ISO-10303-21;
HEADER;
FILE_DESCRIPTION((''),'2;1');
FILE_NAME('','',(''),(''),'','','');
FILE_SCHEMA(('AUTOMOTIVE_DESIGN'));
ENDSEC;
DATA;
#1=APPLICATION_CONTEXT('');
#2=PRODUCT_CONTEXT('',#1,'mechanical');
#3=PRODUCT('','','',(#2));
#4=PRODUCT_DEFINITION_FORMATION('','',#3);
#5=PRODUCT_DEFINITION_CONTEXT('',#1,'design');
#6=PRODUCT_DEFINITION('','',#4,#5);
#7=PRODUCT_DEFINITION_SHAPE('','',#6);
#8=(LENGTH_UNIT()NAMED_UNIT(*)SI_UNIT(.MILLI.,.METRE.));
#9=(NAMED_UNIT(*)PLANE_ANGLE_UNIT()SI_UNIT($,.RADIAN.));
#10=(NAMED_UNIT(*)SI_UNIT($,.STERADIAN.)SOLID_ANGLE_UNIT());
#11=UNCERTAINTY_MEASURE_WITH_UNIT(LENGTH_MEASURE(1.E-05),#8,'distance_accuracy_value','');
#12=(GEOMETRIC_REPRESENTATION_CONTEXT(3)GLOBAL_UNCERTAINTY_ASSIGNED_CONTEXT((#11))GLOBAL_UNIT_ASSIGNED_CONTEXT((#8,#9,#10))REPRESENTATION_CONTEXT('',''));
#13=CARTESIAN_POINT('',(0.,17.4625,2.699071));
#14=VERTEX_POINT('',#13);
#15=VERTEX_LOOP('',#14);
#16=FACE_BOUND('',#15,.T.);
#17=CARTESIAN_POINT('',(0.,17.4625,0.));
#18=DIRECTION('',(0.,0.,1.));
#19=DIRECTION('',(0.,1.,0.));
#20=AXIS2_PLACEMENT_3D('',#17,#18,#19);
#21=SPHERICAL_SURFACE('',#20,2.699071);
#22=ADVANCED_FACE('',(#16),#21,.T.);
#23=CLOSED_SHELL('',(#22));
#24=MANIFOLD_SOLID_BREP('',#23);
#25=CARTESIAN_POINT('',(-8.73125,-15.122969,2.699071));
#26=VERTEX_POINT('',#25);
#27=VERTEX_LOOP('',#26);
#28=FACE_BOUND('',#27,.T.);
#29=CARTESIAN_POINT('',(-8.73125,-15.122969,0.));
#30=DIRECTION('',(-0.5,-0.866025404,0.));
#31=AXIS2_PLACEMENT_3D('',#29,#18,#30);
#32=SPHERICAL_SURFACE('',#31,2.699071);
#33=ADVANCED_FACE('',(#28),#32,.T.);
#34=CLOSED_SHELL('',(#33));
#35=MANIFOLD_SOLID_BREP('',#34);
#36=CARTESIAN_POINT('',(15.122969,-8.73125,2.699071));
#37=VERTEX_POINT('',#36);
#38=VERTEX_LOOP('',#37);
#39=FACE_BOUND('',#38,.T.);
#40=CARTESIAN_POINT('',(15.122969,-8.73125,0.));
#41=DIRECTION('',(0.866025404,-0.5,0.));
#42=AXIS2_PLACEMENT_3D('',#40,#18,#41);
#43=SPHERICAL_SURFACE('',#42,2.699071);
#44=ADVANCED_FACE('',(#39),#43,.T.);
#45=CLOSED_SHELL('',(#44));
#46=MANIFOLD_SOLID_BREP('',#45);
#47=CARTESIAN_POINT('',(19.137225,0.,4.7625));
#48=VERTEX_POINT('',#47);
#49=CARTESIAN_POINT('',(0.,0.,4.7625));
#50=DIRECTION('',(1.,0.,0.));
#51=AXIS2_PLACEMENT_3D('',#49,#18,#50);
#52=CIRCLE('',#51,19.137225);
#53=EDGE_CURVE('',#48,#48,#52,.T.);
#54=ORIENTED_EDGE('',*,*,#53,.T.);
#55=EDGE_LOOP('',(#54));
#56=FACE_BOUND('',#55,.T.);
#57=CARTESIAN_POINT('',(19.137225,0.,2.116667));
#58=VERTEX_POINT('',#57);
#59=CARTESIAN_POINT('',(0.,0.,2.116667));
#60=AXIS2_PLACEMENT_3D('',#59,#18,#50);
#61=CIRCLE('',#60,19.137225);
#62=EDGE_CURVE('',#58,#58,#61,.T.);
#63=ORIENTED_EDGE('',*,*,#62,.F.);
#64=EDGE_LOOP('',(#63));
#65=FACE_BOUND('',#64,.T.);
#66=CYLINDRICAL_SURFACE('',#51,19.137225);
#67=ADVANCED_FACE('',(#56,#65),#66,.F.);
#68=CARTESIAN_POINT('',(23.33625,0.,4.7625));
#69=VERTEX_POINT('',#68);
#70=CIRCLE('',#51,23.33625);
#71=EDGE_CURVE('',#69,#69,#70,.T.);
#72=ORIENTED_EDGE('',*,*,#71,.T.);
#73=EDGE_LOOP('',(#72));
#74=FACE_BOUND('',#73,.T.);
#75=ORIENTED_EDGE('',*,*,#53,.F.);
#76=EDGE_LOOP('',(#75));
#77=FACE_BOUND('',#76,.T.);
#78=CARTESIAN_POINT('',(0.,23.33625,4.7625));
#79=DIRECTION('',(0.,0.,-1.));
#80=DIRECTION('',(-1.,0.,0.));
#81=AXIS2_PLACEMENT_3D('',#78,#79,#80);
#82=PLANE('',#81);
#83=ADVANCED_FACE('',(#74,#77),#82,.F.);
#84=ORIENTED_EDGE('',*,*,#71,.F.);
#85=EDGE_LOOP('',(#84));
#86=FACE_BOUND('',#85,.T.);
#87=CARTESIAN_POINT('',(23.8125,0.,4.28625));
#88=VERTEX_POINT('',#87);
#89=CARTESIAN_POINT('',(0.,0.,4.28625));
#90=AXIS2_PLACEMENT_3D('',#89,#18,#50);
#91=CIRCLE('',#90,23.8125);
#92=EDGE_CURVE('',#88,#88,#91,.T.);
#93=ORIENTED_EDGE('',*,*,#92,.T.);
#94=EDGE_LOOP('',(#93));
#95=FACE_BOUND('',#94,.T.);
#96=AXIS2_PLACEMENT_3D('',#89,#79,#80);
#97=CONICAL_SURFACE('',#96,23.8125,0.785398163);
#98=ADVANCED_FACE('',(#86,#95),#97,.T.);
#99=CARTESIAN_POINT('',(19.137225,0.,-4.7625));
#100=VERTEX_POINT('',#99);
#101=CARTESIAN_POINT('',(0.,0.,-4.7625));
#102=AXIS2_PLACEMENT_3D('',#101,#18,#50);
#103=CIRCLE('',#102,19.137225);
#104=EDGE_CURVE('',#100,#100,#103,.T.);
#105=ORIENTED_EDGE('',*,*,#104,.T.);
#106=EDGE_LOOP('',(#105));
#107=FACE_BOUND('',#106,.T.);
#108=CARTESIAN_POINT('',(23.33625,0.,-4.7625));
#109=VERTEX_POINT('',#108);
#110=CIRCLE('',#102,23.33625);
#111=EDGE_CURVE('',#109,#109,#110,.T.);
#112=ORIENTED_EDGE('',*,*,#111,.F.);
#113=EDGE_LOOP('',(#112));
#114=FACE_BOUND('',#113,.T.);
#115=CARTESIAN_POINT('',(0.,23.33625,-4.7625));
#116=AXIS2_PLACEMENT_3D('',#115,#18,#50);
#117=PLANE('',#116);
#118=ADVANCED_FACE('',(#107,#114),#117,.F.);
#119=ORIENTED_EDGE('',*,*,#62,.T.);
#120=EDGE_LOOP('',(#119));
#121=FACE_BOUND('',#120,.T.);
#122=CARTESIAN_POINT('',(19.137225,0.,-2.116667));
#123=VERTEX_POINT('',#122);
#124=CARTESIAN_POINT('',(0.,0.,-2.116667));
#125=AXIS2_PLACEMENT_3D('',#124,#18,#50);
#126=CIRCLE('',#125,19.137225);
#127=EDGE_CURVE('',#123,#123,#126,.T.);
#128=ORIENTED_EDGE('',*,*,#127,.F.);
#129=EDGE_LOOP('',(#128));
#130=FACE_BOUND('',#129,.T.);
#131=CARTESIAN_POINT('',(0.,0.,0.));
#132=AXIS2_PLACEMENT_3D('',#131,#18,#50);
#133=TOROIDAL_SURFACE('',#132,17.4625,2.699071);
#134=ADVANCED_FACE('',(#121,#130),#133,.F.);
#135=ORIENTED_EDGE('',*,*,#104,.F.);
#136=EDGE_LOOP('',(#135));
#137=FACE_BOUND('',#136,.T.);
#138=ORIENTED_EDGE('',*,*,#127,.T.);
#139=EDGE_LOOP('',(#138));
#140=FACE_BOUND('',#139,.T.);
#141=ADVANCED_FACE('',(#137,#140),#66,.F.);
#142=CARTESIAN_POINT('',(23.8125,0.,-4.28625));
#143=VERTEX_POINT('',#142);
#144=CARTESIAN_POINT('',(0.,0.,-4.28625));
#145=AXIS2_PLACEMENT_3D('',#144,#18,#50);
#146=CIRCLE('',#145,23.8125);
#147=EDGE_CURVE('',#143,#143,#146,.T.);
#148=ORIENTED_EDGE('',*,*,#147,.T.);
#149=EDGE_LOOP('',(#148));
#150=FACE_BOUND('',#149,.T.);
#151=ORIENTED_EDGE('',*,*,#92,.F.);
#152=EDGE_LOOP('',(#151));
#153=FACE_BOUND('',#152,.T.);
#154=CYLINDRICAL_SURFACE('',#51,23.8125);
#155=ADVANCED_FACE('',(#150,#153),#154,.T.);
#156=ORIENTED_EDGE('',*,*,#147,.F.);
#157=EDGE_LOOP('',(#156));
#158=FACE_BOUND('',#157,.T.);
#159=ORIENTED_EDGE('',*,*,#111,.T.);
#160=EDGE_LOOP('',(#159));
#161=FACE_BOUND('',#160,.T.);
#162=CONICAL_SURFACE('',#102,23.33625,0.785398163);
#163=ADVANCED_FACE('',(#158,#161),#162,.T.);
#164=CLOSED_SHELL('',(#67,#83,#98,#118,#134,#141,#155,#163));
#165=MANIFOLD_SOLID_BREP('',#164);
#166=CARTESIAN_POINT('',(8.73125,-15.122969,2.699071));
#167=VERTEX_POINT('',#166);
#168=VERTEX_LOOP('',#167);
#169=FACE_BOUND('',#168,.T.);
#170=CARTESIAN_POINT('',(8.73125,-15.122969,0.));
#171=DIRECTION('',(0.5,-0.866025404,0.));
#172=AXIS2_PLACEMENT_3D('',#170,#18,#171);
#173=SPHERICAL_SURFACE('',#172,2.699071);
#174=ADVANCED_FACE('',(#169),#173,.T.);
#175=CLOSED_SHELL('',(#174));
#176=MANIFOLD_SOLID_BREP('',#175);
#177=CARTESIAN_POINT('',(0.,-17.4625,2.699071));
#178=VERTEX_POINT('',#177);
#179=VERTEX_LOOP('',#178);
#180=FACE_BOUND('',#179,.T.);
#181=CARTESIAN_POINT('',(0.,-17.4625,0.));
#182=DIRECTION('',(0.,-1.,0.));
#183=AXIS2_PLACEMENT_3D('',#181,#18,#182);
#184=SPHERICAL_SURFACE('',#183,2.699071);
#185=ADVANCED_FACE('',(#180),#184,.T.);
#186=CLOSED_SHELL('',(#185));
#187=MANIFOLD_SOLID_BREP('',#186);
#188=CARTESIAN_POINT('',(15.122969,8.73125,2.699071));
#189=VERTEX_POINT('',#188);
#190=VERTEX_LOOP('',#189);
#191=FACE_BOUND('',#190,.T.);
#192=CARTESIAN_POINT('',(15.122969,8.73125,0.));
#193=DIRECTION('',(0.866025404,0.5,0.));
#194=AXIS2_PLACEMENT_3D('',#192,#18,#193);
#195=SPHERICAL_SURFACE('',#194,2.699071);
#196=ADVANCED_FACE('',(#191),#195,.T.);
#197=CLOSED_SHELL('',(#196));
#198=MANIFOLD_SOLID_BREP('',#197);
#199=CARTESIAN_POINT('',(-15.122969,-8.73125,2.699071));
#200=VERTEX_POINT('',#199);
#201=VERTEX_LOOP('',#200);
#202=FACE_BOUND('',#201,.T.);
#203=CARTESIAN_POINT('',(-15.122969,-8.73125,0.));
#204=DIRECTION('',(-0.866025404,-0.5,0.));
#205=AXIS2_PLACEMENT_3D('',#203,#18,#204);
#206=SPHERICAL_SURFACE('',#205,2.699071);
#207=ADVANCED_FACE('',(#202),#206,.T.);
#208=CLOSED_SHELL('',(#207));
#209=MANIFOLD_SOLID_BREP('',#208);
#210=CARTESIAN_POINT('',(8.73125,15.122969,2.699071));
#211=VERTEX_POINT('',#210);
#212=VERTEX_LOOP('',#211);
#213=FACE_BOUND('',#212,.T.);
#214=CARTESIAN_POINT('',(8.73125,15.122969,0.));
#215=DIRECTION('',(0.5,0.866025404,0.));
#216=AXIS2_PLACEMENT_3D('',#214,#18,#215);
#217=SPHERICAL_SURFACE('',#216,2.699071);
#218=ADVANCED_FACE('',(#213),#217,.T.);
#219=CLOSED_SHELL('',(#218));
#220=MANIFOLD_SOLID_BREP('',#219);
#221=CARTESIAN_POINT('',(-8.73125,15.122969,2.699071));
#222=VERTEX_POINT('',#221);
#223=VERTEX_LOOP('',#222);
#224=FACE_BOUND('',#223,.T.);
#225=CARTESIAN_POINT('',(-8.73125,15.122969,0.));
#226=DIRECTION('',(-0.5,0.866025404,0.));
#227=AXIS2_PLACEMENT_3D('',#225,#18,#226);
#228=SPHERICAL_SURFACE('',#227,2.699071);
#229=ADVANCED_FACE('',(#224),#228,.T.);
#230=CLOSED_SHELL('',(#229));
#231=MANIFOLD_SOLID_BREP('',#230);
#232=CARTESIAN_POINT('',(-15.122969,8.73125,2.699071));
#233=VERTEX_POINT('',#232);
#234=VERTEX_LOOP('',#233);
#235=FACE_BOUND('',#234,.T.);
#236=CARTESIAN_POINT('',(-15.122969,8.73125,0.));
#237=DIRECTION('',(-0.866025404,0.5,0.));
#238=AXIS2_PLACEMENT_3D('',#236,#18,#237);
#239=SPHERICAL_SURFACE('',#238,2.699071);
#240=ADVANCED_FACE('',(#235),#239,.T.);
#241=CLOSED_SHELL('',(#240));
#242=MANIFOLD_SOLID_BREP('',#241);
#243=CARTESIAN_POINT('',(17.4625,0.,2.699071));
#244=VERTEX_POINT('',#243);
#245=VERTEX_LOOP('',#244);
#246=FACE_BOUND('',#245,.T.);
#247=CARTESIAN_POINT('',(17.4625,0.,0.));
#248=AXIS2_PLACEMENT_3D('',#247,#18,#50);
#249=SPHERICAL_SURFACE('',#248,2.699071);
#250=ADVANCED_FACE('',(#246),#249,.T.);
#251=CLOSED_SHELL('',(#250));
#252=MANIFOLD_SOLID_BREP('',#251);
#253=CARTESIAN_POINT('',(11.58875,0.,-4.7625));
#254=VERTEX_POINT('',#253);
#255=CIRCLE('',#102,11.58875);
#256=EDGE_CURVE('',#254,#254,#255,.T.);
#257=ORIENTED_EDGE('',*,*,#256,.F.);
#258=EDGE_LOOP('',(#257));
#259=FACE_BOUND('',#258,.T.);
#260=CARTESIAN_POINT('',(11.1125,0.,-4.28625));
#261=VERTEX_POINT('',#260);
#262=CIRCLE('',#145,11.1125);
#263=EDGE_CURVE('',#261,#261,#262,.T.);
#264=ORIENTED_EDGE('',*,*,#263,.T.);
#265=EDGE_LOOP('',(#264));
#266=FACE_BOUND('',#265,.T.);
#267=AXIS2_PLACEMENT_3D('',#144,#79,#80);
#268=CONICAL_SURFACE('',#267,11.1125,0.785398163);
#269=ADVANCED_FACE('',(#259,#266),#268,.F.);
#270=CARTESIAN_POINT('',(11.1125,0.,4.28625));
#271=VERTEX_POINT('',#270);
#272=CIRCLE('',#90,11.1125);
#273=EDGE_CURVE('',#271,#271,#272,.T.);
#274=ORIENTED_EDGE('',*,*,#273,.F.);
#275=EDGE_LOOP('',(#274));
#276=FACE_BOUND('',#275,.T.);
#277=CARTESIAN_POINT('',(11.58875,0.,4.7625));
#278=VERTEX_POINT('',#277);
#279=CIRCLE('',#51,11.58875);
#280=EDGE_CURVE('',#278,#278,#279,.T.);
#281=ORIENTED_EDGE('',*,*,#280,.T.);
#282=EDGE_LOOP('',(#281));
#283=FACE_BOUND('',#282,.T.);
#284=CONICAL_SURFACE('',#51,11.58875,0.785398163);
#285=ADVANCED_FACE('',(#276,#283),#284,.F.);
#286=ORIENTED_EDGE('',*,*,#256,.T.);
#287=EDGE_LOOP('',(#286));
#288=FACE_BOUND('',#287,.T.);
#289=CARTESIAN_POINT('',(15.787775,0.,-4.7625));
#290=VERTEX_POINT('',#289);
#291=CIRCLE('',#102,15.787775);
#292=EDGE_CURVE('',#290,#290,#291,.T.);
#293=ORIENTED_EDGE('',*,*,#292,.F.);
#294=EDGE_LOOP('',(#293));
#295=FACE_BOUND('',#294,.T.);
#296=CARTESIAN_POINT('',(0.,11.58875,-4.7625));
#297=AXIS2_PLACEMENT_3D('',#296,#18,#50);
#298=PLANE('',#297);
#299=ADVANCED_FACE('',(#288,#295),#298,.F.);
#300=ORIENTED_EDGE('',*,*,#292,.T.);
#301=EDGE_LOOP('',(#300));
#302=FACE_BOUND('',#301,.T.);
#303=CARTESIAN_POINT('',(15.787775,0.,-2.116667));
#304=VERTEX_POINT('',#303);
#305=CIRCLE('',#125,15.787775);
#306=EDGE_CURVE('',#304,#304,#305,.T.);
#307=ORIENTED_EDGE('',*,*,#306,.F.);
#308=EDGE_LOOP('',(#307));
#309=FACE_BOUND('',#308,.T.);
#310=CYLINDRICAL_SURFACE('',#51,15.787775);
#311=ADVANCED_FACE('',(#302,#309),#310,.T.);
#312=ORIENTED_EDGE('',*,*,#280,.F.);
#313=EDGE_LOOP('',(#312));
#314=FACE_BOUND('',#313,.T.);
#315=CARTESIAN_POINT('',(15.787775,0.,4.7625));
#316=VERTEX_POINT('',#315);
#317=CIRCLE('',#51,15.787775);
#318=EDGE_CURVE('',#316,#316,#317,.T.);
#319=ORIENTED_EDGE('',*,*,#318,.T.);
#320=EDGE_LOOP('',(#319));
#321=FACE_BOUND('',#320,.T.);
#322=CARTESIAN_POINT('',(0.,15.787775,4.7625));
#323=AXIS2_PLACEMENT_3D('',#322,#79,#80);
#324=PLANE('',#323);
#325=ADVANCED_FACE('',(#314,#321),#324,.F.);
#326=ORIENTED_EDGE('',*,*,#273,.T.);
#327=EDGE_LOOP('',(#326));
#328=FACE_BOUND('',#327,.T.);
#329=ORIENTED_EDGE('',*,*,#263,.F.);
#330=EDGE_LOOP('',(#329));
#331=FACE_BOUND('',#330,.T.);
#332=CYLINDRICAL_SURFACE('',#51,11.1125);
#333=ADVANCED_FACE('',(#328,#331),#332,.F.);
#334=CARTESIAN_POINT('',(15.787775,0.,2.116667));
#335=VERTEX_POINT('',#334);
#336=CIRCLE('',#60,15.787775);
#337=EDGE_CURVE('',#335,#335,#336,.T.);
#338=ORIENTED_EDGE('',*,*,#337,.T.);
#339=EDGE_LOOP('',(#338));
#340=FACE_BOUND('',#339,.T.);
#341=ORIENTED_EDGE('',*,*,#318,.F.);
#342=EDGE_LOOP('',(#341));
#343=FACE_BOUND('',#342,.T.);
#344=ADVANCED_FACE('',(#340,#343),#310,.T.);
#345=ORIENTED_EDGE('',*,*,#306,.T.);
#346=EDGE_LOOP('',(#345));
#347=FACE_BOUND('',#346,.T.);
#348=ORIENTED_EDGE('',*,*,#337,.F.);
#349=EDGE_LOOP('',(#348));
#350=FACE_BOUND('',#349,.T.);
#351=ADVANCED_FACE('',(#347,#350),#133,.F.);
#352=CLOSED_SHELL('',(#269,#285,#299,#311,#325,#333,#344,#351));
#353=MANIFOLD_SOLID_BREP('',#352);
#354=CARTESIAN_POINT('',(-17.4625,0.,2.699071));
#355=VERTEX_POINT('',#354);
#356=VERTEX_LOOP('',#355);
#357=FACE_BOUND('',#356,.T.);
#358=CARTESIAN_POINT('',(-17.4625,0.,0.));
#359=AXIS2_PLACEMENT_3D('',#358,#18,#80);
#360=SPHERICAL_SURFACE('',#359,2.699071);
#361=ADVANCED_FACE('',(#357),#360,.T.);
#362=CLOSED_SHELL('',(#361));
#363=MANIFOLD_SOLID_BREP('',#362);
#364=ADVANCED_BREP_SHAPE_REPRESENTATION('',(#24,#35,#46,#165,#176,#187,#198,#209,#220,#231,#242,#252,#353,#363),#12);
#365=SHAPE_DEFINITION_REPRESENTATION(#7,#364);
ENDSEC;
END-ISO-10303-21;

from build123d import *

# Parameters (mm, degrees)
CIRPATTERN1_COUNT = 12


with BuildPart() as part:
    # Sketch1 → Revolve1 (revolve)
    with BuildSketch(Plane(origin=(0, 0, 0), x_dir=(0, 0, -1), z_dir=(1, 0, 0))):
        with BuildLine():
            Line((4.28625, 23.8125), (-4.28625, 23.8125))
            Line((-4.28625, 23.8125), (-4.7625, 23.33625))
            Line((-4.7625, 23.33625), (-4.7625, 19.137225275))
            Line((-4.7625, 19.137225275), (-2.116666667, 19.137225275))
            ThreePointArc((-2.116666667, 19.137225275), (0, 20.161570678), (2.116666667, 19.137225275))
            Line((2.116666667, 19.137225275), (4.7625, 19.137225275))
            Line((4.7625, 19.137225275), (4.7625, 23.33625))
            Line((4.7625, 23.33625), (4.28625, 23.8125))
        make_face()
    revolve(axis=Axis((0, 0, 4.7625), (0, 0, -1)))


with BuildPart() as body_2:
    # Sketch3 → Revolve3 (revolve)
    with BuildSketch(Plane(origin=(0, 0, 0), x_dir=(0, 0, -1), z_dir=(1, 0, 0))):
        with BuildLine():
            Line((-4.7625, 15.787774725), (-2.116666667, 15.787774725))
            ThreePointArc((-2.116666667, 15.787774725), (0, 14.763429322), (2.116666667, 15.787774725))
            Line((2.116666667, 15.787774725), (4.7625, 15.787774725))
            Line((4.7625, 15.787774725), (4.7625, 11.58875))
            Line((4.7625, 11.58875), (4.28625, 11.1125))
            Line((4.28625, 11.1125), (-4.28625, 11.1125))
            Line((-4.28625, 11.1125), (-4.7625, 11.58875))
            Line((-4.7625, 11.58875), (-4.7625, 15.787774725))
        make_face()
    revolve(axis=Axis((0, 0, 4.7625), (0, 0, -1)))


with BuildPart() as body_3:
    # Sketch4 → Revolve4 (revolve)
    with BuildSketch(Plane(origin=(0, 0, 0), x_dir=(0, 0, -1), z_dir=(1, 0, 0))):
        with BuildLine():
            Line((-2.699070678, 17.4625), (2.699070678, 17.4625))
            ThreePointArc((2.699070678, 17.4625), (0, 20.161570678), (-2.699070678, 17.4625))
        make_face()
    revolve(axis=Axis((0, 17.4625, 2.699070678), (0, 0, -1)))


with BuildPart() as cirpattern1_1:
    # CirPattern1: pattern copy
    add(body_3.part.rotate(Axis((0, 0, -4.7625), (0, 0, 1)), 1 * 360 / CIRPATTERN1_COUNT))


with BuildPart() as cirpattern1_2:
    # CirPattern1: pattern copy
    add(body_3.part.rotate(Axis((0, 0, -4.7625), (0, 0, 1)), 2 * 360 / CIRPATTERN1_COUNT))


with BuildPart() as cirpattern1_3:
    # CirPattern1: pattern copy
    add(body_3.part.rotate(Axis((0, 0, -4.7625), (0, 0, 1)), 3 * 360 / CIRPATTERN1_COUNT))


with BuildPart() as cirpattern1_4:
    # CirPattern1: pattern copy
    add(body_3.part.rotate(Axis((0, 0, -4.7625), (0, 0, 1)), 4 * 360 / CIRPATTERN1_COUNT))


with BuildPart() as cirpattern1_5:
    # CirPattern1: pattern copy
    add(body_3.part.rotate(Axis((0, 0, -4.7625), (0, 0, 1)), 5 * 360 / CIRPATTERN1_COUNT))


with BuildPart() as cirpattern1_6:
    # CirPattern1: pattern copy
    add(body_3.part.rotate(Axis((0, 0, -4.7625), (0, 0, 1)), 6 * 360 / CIRPATTERN1_COUNT))


with BuildPart() as cirpattern1_7:
    # CirPattern1: pattern copy
    add(body_3.part.rotate(Axis((0, 0, -4.7625), (0, 0, 1)), 7 * 360 / CIRPATTERN1_COUNT))


with BuildPart() as cirpattern1_8:
    # CirPattern1: pattern copy
    add(body_3.part.rotate(Axis((0, 0, -4.7625), (0, 0, 1)), 8 * 360 / CIRPATTERN1_COUNT))


with BuildPart() as cirpattern1_9:
    # CirPattern1: pattern copy
    add(body_3.part.rotate(Axis((0, 0, -4.7625), (0, 0, 1)), 9 * 360 / CIRPATTERN1_COUNT))


with BuildPart() as cirpattern1_10:
    # CirPattern1: pattern copy
    add(body_3.part.rotate(Axis((0, 0, -4.7625), (0, 0, 1)), 10 * 360 / CIRPATTERN1_COUNT))


with BuildPart() as cirpattern1_11:
    # CirPattern1: pattern copy
    add(body_3.part.rotate(Axis((0, 0, -4.7625), (0, 0, 1)), 11 * 360 / CIRPATTERN1_COUNT))


solid = Compound([part.part, body_2.part, body_3.part, cirpattern1_1.part, cirpattern1_2.part, cirpattern1_3.part, cirpattern1_4.part, cirpattern1_5.part, cirpattern1_6.part, cirpattern1_7.part, cirpattern1_8.part, cirpattern1_9.part, cirpattern1_10.part, cirpattern1_11.part])
